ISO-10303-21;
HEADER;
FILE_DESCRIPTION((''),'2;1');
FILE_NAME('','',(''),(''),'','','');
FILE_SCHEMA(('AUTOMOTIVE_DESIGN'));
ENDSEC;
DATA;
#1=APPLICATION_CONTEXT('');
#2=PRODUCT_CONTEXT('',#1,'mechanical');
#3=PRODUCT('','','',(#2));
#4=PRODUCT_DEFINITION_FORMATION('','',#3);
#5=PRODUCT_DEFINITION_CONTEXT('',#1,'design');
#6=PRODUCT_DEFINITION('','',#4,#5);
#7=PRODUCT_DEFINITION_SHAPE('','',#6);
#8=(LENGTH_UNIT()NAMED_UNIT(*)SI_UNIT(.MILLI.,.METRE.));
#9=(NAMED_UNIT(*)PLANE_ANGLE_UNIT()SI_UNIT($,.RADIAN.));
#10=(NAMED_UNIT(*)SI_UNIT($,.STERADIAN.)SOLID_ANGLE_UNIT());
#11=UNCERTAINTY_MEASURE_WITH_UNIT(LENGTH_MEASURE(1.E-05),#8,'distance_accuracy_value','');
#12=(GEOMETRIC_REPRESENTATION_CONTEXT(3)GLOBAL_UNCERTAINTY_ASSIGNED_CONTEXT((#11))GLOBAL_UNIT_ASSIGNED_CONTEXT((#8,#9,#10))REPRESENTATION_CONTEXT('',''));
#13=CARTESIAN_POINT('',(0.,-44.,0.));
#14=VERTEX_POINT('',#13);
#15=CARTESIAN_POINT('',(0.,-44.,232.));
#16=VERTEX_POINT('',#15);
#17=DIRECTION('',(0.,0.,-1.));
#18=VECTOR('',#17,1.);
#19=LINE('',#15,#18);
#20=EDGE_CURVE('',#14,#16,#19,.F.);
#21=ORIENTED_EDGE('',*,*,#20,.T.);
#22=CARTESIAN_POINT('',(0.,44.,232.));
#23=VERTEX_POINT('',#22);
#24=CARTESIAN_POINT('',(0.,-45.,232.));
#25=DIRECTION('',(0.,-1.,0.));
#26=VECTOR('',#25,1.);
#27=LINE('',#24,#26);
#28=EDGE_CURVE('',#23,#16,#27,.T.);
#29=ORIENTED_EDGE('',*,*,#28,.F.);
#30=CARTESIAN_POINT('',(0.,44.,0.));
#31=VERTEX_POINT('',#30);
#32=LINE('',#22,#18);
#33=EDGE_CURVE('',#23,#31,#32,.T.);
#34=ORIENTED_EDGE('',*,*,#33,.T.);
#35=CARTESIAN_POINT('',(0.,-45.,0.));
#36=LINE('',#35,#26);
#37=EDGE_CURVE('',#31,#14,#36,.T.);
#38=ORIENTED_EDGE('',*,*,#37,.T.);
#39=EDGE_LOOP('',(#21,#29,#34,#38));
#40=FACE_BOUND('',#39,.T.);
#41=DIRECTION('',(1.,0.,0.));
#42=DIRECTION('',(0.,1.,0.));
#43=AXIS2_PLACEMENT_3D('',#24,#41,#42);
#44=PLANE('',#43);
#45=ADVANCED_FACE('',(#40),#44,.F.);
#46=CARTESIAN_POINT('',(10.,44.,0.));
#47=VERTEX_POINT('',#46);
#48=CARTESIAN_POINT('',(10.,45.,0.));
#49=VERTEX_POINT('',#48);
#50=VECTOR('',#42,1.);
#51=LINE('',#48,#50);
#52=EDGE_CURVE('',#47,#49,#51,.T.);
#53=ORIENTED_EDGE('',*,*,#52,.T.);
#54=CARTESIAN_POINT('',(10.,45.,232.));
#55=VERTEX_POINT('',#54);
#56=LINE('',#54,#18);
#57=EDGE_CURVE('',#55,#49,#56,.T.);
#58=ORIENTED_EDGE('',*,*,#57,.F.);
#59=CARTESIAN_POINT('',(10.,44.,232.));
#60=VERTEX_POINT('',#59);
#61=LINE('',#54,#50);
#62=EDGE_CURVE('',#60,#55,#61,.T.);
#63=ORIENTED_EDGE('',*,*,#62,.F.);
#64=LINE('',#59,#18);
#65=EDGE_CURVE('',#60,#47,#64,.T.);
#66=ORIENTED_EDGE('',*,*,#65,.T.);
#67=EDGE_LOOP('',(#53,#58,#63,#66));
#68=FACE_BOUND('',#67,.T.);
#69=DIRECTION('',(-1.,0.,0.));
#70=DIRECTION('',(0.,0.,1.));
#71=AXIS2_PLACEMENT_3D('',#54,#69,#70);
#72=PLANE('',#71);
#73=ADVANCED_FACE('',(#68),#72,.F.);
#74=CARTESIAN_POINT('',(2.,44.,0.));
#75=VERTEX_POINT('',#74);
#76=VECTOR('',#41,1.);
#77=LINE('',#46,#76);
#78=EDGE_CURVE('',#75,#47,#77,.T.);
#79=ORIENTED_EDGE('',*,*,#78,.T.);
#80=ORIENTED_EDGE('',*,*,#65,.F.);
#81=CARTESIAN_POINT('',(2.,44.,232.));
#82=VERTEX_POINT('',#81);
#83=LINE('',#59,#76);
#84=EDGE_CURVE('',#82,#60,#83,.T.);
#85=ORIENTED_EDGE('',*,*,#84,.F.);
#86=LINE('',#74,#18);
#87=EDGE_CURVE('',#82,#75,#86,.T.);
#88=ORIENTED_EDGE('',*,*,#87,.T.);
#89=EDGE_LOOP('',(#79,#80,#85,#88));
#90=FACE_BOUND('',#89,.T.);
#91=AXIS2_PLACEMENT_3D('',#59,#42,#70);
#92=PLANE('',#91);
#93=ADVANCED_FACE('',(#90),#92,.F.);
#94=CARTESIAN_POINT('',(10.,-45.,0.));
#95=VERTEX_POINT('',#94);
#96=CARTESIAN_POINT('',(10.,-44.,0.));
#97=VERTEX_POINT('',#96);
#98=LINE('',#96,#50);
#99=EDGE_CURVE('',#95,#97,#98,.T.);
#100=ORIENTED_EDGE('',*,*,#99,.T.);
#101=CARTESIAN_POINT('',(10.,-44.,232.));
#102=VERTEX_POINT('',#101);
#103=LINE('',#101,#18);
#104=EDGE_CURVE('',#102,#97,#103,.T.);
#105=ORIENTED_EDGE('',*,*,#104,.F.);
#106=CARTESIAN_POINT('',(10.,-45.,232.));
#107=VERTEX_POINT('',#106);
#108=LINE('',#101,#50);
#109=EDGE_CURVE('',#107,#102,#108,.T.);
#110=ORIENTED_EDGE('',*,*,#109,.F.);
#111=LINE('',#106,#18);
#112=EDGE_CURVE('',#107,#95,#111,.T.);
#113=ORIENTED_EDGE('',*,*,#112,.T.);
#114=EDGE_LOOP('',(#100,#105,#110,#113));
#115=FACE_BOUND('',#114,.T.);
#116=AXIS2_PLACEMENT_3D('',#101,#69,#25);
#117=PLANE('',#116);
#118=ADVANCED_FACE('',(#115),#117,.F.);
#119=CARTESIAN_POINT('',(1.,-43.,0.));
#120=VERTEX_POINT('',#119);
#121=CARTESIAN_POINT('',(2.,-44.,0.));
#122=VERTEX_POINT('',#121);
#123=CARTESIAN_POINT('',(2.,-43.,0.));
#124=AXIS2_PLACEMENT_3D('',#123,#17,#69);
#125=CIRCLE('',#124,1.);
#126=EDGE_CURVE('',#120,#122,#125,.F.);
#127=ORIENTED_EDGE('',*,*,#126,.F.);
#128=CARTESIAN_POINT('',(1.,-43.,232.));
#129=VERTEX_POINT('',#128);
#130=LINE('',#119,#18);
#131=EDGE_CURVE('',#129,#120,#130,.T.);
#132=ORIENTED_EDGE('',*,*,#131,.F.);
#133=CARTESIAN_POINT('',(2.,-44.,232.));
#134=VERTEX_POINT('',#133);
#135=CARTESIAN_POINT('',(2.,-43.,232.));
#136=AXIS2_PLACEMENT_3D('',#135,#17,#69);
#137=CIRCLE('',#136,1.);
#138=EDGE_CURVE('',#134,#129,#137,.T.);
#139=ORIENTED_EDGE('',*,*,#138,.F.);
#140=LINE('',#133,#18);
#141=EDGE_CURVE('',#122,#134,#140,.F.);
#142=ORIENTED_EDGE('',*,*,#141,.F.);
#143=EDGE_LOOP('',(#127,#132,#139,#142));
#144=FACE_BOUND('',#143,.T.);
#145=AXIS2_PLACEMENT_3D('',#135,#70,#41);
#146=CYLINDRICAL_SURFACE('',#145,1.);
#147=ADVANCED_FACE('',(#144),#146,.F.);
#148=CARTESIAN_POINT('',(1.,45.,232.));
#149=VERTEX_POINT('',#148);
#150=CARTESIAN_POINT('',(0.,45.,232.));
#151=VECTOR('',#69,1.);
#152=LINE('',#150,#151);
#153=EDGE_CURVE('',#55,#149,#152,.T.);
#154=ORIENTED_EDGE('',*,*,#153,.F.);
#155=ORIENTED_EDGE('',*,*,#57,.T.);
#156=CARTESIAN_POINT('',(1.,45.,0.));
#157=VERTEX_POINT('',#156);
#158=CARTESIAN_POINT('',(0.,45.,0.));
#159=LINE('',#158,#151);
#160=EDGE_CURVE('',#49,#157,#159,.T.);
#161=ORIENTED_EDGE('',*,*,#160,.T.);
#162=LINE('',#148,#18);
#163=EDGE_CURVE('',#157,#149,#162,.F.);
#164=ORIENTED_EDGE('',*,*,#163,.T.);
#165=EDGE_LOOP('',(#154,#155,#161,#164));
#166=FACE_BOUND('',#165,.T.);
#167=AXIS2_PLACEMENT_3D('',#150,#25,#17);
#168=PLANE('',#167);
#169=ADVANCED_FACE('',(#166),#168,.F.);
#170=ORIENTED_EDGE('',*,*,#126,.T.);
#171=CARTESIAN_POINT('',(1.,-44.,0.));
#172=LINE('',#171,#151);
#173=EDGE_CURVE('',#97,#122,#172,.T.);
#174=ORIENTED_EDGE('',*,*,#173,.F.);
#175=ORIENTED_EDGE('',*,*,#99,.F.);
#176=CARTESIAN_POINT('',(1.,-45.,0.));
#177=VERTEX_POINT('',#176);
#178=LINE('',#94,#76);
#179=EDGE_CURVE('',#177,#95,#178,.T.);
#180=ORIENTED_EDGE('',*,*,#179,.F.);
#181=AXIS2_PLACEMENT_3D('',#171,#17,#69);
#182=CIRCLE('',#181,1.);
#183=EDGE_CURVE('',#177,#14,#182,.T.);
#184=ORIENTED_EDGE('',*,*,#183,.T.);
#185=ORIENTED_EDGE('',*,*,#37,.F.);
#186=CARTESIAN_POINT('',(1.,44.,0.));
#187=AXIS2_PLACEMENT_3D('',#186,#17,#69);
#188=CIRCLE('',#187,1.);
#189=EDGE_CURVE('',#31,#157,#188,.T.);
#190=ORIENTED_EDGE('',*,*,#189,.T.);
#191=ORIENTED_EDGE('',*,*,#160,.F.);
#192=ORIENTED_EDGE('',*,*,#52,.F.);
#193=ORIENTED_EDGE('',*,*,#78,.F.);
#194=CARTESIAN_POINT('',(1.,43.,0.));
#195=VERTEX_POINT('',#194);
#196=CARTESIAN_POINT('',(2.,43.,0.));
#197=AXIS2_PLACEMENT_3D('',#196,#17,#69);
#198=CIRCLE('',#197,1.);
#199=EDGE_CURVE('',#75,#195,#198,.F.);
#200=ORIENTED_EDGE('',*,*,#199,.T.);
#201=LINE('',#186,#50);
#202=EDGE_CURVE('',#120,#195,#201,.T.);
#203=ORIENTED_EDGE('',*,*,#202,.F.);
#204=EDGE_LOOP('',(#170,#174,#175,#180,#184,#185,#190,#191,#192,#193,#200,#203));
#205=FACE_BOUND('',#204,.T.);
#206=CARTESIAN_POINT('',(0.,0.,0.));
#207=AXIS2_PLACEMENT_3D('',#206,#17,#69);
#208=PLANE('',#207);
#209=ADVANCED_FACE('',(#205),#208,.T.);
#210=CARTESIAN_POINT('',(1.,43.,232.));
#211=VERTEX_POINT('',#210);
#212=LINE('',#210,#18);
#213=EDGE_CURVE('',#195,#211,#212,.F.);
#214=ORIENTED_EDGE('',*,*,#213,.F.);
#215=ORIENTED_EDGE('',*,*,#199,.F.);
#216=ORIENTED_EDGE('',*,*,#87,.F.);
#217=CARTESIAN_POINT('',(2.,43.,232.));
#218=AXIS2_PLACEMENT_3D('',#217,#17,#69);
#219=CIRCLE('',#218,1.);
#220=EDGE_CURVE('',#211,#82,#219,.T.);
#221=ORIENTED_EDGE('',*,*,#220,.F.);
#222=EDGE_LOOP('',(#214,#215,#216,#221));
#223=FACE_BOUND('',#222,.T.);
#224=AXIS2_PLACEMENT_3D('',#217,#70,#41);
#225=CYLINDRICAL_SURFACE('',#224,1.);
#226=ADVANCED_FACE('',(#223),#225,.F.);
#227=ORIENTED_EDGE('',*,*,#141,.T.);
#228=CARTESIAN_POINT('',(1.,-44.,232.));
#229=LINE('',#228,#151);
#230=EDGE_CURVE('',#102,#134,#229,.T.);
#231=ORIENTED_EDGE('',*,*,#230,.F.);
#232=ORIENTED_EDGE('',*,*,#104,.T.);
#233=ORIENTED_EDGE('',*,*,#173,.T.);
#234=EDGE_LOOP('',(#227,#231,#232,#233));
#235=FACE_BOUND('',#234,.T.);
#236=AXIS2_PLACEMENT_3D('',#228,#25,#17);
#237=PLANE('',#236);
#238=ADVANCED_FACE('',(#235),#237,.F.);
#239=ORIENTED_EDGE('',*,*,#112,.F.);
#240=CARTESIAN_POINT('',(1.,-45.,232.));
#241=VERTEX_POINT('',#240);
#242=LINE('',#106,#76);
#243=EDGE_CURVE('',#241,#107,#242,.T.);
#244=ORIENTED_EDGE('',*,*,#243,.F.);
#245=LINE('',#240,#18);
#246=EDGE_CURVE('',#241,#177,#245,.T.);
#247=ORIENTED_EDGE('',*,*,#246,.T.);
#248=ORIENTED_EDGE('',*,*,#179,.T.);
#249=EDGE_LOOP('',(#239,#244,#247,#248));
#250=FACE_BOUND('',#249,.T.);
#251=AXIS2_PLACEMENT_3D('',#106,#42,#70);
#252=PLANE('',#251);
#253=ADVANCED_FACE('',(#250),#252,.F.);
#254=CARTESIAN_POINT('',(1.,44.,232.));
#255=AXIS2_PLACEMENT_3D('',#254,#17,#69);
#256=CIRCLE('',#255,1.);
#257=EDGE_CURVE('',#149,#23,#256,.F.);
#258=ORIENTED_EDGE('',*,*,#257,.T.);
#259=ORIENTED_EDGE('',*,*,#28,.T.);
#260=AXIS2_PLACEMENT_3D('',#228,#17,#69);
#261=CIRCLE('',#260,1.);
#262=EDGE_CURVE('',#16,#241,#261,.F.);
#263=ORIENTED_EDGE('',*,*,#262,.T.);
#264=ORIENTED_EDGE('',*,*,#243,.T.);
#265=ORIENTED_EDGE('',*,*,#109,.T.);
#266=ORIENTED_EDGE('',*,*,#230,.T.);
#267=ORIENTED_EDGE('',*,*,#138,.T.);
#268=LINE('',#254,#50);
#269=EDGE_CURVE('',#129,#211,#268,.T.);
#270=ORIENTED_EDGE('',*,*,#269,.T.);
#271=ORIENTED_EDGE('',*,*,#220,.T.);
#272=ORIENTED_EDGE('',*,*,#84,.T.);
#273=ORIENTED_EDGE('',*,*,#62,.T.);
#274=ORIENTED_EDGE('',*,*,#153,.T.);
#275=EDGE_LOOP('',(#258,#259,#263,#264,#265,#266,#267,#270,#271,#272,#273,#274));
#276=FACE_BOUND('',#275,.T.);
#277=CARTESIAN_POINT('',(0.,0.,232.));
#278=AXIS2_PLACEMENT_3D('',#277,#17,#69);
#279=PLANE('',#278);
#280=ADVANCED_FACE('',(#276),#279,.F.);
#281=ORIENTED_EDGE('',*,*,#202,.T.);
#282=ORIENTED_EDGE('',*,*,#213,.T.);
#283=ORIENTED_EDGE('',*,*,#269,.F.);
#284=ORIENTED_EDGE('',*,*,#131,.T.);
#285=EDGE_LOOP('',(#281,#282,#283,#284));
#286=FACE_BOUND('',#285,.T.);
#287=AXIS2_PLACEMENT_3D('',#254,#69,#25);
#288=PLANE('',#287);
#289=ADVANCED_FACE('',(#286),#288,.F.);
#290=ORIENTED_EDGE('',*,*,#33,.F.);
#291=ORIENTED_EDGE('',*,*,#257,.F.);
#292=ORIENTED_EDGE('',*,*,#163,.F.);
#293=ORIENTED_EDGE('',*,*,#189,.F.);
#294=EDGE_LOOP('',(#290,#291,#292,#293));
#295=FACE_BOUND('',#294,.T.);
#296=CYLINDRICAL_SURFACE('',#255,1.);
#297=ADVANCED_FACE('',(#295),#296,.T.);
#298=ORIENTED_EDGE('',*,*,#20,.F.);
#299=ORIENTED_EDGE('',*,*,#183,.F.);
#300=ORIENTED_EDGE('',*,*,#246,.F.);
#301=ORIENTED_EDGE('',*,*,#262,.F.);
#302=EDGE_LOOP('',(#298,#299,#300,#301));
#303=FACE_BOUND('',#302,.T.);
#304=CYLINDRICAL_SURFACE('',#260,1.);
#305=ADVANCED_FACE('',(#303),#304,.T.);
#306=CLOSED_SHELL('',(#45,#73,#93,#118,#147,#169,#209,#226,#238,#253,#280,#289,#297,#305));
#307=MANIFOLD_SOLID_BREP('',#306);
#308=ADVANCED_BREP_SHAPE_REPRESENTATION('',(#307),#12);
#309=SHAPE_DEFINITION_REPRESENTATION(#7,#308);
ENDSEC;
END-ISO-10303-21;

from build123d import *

# Parameters (mm, degrees)
BOSS_EXTRUDE1_DEPTH = 232
FILLET1_R           = 1


with BuildPart() as part:
    # Sketch1 → Boss-Extrude1 (new body)
    with BuildSketch(Plane.XY):
        Polygon((0, -45), (0, 45), (10, 45), (10, 44), (1, 44), (1, -44), (10, -44), (10, -45), align=None)
    extrude(amount=BOSS_EXTRUDE1_DEPTH)

    # Fillet1
    fillet1_edges = [part.edges().sort_by_distance(p)[0] for p in [
        (1, 44, 116),
        (1, -44, 116),
        (0, -45, 116),
        (0, 45, 116),
    ]]
    fillet(fillet1_edges, radius=FILLET1_R)


solid = part.part
